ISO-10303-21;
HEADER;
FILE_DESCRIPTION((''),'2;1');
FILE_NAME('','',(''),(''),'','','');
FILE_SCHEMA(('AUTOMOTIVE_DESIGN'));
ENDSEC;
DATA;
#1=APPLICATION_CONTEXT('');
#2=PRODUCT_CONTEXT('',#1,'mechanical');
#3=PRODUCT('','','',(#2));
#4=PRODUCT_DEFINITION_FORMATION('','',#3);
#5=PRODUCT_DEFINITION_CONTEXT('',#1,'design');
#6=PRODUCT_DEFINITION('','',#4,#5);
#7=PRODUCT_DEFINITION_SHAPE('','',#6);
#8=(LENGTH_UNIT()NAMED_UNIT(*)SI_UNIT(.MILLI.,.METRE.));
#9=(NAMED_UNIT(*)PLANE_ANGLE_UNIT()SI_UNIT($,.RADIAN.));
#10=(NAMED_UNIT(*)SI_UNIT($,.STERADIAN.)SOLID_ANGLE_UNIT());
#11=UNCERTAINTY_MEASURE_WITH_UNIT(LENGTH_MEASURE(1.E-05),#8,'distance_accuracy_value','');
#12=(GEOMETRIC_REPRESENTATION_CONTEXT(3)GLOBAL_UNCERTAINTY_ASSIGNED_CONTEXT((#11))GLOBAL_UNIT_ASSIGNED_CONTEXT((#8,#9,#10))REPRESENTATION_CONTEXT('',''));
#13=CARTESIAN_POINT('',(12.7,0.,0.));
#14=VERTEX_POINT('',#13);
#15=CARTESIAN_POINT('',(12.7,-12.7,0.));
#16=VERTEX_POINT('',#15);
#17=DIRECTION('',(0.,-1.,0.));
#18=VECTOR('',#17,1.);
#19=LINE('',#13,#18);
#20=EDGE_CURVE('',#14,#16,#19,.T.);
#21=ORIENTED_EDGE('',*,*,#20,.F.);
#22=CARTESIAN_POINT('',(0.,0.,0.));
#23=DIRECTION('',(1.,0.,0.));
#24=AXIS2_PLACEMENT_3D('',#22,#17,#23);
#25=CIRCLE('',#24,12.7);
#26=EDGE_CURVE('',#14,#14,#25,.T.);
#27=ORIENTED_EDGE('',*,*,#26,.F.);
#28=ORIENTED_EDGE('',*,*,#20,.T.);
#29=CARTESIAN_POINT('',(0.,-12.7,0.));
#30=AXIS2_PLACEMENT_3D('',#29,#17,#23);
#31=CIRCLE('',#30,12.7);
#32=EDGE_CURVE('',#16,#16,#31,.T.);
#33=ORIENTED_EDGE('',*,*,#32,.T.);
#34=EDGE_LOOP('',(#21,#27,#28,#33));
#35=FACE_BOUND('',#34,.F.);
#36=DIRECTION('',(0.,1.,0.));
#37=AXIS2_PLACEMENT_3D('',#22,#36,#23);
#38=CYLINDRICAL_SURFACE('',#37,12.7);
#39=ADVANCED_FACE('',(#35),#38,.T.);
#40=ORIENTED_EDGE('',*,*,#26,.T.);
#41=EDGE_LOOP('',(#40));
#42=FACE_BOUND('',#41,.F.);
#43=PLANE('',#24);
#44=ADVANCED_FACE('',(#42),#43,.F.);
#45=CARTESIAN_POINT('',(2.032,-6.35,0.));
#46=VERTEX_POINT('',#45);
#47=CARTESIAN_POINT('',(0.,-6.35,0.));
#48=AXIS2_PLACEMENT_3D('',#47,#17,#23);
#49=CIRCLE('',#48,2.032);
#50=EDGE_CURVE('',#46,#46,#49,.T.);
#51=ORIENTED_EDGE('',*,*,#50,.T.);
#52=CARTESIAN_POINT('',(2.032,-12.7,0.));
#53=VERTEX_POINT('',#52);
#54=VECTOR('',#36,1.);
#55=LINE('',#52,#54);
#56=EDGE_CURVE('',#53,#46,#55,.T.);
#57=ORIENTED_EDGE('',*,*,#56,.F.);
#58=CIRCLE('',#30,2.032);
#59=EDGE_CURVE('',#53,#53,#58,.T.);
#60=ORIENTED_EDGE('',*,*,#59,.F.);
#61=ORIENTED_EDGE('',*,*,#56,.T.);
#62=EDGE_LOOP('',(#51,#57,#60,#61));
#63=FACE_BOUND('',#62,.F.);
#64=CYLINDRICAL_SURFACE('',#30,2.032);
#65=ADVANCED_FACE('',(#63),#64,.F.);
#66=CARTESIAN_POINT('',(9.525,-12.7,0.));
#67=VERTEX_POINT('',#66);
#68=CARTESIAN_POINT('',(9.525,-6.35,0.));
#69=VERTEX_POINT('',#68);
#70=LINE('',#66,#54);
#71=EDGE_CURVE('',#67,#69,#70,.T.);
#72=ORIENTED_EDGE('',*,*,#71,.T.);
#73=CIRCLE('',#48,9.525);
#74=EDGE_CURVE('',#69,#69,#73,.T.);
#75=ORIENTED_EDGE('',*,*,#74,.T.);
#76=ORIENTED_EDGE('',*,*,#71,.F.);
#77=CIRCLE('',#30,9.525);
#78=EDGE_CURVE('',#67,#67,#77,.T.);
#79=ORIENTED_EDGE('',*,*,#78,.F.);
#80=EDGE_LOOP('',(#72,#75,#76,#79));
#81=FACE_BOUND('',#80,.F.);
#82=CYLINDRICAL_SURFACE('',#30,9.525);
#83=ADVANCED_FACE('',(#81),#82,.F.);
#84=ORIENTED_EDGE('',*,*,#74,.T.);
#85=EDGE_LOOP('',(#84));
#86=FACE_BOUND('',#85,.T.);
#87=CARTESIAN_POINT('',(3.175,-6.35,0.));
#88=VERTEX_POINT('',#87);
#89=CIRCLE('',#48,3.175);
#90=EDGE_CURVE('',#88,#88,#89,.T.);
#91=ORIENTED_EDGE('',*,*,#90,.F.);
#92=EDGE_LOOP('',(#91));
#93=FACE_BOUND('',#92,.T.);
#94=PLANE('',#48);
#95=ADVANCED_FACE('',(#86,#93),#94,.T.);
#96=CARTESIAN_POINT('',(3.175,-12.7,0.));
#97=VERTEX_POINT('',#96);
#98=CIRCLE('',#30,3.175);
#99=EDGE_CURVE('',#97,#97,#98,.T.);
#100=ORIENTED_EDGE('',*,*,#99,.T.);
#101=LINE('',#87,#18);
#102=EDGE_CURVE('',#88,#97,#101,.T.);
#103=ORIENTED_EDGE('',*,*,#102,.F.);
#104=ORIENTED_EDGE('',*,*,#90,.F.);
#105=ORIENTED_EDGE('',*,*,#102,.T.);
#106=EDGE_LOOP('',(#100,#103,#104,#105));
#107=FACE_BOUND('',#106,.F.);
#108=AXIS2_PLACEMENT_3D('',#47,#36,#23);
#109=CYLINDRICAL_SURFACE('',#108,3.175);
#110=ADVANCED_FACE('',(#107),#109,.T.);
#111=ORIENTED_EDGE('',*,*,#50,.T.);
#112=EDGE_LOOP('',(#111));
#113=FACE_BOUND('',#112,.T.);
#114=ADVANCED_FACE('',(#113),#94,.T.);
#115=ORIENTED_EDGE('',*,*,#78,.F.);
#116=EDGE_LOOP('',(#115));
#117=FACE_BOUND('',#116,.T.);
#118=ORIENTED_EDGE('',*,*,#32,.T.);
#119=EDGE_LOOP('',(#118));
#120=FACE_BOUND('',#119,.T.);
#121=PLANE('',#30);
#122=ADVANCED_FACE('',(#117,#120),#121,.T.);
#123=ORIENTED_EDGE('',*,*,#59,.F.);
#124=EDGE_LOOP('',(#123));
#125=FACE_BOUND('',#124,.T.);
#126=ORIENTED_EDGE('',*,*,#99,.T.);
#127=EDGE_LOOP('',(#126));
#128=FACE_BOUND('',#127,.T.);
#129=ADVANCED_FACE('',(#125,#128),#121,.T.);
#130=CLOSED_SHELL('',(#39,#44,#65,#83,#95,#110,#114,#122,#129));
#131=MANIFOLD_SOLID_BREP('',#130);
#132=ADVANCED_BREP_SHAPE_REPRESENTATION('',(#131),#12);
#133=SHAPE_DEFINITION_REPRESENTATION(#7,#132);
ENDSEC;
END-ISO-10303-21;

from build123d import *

# Parameters (mm, degrees)
F0_R     = 12.7
F1_DEPTH = 12.7
F2_R     = 9.525
F3_DEPTH = 6.35
F4_R     = 3.175
F5_DEPTH = 6.35
F6_R     = 2.032
F7_DEPTH = 6.35


with BuildPart() as f1:
    # F0 (on Front) → F1 (new body)
    with BuildSketch(Plane.XZ):
        Circle(F0_R)
    extrude(amount=F1_DEPTH)

    # F2 (on face) → F3 (cut)
    with BuildSketch(Plane.XZ.offset(12.7)):
        Circle(F2_R)
    extrude(amount=-F3_DEPTH, mode=Mode.SUBTRACT)

    # F4 (on face) → F5 (join, through all)
    with BuildSketch(Plane.XZ.offset(6.35)):
        Circle(F4_R)
    extrude(amount=F5_DEPTH)

    # F6 (on face) → F7 (cut, through all)
    with BuildSketch(Plane.XZ.offset(12.7)):
        Circle(F6_R)
    extrude(amount=-F7_DEPTH, mode=Mode.SUBTRACT)


solid = f1.part
